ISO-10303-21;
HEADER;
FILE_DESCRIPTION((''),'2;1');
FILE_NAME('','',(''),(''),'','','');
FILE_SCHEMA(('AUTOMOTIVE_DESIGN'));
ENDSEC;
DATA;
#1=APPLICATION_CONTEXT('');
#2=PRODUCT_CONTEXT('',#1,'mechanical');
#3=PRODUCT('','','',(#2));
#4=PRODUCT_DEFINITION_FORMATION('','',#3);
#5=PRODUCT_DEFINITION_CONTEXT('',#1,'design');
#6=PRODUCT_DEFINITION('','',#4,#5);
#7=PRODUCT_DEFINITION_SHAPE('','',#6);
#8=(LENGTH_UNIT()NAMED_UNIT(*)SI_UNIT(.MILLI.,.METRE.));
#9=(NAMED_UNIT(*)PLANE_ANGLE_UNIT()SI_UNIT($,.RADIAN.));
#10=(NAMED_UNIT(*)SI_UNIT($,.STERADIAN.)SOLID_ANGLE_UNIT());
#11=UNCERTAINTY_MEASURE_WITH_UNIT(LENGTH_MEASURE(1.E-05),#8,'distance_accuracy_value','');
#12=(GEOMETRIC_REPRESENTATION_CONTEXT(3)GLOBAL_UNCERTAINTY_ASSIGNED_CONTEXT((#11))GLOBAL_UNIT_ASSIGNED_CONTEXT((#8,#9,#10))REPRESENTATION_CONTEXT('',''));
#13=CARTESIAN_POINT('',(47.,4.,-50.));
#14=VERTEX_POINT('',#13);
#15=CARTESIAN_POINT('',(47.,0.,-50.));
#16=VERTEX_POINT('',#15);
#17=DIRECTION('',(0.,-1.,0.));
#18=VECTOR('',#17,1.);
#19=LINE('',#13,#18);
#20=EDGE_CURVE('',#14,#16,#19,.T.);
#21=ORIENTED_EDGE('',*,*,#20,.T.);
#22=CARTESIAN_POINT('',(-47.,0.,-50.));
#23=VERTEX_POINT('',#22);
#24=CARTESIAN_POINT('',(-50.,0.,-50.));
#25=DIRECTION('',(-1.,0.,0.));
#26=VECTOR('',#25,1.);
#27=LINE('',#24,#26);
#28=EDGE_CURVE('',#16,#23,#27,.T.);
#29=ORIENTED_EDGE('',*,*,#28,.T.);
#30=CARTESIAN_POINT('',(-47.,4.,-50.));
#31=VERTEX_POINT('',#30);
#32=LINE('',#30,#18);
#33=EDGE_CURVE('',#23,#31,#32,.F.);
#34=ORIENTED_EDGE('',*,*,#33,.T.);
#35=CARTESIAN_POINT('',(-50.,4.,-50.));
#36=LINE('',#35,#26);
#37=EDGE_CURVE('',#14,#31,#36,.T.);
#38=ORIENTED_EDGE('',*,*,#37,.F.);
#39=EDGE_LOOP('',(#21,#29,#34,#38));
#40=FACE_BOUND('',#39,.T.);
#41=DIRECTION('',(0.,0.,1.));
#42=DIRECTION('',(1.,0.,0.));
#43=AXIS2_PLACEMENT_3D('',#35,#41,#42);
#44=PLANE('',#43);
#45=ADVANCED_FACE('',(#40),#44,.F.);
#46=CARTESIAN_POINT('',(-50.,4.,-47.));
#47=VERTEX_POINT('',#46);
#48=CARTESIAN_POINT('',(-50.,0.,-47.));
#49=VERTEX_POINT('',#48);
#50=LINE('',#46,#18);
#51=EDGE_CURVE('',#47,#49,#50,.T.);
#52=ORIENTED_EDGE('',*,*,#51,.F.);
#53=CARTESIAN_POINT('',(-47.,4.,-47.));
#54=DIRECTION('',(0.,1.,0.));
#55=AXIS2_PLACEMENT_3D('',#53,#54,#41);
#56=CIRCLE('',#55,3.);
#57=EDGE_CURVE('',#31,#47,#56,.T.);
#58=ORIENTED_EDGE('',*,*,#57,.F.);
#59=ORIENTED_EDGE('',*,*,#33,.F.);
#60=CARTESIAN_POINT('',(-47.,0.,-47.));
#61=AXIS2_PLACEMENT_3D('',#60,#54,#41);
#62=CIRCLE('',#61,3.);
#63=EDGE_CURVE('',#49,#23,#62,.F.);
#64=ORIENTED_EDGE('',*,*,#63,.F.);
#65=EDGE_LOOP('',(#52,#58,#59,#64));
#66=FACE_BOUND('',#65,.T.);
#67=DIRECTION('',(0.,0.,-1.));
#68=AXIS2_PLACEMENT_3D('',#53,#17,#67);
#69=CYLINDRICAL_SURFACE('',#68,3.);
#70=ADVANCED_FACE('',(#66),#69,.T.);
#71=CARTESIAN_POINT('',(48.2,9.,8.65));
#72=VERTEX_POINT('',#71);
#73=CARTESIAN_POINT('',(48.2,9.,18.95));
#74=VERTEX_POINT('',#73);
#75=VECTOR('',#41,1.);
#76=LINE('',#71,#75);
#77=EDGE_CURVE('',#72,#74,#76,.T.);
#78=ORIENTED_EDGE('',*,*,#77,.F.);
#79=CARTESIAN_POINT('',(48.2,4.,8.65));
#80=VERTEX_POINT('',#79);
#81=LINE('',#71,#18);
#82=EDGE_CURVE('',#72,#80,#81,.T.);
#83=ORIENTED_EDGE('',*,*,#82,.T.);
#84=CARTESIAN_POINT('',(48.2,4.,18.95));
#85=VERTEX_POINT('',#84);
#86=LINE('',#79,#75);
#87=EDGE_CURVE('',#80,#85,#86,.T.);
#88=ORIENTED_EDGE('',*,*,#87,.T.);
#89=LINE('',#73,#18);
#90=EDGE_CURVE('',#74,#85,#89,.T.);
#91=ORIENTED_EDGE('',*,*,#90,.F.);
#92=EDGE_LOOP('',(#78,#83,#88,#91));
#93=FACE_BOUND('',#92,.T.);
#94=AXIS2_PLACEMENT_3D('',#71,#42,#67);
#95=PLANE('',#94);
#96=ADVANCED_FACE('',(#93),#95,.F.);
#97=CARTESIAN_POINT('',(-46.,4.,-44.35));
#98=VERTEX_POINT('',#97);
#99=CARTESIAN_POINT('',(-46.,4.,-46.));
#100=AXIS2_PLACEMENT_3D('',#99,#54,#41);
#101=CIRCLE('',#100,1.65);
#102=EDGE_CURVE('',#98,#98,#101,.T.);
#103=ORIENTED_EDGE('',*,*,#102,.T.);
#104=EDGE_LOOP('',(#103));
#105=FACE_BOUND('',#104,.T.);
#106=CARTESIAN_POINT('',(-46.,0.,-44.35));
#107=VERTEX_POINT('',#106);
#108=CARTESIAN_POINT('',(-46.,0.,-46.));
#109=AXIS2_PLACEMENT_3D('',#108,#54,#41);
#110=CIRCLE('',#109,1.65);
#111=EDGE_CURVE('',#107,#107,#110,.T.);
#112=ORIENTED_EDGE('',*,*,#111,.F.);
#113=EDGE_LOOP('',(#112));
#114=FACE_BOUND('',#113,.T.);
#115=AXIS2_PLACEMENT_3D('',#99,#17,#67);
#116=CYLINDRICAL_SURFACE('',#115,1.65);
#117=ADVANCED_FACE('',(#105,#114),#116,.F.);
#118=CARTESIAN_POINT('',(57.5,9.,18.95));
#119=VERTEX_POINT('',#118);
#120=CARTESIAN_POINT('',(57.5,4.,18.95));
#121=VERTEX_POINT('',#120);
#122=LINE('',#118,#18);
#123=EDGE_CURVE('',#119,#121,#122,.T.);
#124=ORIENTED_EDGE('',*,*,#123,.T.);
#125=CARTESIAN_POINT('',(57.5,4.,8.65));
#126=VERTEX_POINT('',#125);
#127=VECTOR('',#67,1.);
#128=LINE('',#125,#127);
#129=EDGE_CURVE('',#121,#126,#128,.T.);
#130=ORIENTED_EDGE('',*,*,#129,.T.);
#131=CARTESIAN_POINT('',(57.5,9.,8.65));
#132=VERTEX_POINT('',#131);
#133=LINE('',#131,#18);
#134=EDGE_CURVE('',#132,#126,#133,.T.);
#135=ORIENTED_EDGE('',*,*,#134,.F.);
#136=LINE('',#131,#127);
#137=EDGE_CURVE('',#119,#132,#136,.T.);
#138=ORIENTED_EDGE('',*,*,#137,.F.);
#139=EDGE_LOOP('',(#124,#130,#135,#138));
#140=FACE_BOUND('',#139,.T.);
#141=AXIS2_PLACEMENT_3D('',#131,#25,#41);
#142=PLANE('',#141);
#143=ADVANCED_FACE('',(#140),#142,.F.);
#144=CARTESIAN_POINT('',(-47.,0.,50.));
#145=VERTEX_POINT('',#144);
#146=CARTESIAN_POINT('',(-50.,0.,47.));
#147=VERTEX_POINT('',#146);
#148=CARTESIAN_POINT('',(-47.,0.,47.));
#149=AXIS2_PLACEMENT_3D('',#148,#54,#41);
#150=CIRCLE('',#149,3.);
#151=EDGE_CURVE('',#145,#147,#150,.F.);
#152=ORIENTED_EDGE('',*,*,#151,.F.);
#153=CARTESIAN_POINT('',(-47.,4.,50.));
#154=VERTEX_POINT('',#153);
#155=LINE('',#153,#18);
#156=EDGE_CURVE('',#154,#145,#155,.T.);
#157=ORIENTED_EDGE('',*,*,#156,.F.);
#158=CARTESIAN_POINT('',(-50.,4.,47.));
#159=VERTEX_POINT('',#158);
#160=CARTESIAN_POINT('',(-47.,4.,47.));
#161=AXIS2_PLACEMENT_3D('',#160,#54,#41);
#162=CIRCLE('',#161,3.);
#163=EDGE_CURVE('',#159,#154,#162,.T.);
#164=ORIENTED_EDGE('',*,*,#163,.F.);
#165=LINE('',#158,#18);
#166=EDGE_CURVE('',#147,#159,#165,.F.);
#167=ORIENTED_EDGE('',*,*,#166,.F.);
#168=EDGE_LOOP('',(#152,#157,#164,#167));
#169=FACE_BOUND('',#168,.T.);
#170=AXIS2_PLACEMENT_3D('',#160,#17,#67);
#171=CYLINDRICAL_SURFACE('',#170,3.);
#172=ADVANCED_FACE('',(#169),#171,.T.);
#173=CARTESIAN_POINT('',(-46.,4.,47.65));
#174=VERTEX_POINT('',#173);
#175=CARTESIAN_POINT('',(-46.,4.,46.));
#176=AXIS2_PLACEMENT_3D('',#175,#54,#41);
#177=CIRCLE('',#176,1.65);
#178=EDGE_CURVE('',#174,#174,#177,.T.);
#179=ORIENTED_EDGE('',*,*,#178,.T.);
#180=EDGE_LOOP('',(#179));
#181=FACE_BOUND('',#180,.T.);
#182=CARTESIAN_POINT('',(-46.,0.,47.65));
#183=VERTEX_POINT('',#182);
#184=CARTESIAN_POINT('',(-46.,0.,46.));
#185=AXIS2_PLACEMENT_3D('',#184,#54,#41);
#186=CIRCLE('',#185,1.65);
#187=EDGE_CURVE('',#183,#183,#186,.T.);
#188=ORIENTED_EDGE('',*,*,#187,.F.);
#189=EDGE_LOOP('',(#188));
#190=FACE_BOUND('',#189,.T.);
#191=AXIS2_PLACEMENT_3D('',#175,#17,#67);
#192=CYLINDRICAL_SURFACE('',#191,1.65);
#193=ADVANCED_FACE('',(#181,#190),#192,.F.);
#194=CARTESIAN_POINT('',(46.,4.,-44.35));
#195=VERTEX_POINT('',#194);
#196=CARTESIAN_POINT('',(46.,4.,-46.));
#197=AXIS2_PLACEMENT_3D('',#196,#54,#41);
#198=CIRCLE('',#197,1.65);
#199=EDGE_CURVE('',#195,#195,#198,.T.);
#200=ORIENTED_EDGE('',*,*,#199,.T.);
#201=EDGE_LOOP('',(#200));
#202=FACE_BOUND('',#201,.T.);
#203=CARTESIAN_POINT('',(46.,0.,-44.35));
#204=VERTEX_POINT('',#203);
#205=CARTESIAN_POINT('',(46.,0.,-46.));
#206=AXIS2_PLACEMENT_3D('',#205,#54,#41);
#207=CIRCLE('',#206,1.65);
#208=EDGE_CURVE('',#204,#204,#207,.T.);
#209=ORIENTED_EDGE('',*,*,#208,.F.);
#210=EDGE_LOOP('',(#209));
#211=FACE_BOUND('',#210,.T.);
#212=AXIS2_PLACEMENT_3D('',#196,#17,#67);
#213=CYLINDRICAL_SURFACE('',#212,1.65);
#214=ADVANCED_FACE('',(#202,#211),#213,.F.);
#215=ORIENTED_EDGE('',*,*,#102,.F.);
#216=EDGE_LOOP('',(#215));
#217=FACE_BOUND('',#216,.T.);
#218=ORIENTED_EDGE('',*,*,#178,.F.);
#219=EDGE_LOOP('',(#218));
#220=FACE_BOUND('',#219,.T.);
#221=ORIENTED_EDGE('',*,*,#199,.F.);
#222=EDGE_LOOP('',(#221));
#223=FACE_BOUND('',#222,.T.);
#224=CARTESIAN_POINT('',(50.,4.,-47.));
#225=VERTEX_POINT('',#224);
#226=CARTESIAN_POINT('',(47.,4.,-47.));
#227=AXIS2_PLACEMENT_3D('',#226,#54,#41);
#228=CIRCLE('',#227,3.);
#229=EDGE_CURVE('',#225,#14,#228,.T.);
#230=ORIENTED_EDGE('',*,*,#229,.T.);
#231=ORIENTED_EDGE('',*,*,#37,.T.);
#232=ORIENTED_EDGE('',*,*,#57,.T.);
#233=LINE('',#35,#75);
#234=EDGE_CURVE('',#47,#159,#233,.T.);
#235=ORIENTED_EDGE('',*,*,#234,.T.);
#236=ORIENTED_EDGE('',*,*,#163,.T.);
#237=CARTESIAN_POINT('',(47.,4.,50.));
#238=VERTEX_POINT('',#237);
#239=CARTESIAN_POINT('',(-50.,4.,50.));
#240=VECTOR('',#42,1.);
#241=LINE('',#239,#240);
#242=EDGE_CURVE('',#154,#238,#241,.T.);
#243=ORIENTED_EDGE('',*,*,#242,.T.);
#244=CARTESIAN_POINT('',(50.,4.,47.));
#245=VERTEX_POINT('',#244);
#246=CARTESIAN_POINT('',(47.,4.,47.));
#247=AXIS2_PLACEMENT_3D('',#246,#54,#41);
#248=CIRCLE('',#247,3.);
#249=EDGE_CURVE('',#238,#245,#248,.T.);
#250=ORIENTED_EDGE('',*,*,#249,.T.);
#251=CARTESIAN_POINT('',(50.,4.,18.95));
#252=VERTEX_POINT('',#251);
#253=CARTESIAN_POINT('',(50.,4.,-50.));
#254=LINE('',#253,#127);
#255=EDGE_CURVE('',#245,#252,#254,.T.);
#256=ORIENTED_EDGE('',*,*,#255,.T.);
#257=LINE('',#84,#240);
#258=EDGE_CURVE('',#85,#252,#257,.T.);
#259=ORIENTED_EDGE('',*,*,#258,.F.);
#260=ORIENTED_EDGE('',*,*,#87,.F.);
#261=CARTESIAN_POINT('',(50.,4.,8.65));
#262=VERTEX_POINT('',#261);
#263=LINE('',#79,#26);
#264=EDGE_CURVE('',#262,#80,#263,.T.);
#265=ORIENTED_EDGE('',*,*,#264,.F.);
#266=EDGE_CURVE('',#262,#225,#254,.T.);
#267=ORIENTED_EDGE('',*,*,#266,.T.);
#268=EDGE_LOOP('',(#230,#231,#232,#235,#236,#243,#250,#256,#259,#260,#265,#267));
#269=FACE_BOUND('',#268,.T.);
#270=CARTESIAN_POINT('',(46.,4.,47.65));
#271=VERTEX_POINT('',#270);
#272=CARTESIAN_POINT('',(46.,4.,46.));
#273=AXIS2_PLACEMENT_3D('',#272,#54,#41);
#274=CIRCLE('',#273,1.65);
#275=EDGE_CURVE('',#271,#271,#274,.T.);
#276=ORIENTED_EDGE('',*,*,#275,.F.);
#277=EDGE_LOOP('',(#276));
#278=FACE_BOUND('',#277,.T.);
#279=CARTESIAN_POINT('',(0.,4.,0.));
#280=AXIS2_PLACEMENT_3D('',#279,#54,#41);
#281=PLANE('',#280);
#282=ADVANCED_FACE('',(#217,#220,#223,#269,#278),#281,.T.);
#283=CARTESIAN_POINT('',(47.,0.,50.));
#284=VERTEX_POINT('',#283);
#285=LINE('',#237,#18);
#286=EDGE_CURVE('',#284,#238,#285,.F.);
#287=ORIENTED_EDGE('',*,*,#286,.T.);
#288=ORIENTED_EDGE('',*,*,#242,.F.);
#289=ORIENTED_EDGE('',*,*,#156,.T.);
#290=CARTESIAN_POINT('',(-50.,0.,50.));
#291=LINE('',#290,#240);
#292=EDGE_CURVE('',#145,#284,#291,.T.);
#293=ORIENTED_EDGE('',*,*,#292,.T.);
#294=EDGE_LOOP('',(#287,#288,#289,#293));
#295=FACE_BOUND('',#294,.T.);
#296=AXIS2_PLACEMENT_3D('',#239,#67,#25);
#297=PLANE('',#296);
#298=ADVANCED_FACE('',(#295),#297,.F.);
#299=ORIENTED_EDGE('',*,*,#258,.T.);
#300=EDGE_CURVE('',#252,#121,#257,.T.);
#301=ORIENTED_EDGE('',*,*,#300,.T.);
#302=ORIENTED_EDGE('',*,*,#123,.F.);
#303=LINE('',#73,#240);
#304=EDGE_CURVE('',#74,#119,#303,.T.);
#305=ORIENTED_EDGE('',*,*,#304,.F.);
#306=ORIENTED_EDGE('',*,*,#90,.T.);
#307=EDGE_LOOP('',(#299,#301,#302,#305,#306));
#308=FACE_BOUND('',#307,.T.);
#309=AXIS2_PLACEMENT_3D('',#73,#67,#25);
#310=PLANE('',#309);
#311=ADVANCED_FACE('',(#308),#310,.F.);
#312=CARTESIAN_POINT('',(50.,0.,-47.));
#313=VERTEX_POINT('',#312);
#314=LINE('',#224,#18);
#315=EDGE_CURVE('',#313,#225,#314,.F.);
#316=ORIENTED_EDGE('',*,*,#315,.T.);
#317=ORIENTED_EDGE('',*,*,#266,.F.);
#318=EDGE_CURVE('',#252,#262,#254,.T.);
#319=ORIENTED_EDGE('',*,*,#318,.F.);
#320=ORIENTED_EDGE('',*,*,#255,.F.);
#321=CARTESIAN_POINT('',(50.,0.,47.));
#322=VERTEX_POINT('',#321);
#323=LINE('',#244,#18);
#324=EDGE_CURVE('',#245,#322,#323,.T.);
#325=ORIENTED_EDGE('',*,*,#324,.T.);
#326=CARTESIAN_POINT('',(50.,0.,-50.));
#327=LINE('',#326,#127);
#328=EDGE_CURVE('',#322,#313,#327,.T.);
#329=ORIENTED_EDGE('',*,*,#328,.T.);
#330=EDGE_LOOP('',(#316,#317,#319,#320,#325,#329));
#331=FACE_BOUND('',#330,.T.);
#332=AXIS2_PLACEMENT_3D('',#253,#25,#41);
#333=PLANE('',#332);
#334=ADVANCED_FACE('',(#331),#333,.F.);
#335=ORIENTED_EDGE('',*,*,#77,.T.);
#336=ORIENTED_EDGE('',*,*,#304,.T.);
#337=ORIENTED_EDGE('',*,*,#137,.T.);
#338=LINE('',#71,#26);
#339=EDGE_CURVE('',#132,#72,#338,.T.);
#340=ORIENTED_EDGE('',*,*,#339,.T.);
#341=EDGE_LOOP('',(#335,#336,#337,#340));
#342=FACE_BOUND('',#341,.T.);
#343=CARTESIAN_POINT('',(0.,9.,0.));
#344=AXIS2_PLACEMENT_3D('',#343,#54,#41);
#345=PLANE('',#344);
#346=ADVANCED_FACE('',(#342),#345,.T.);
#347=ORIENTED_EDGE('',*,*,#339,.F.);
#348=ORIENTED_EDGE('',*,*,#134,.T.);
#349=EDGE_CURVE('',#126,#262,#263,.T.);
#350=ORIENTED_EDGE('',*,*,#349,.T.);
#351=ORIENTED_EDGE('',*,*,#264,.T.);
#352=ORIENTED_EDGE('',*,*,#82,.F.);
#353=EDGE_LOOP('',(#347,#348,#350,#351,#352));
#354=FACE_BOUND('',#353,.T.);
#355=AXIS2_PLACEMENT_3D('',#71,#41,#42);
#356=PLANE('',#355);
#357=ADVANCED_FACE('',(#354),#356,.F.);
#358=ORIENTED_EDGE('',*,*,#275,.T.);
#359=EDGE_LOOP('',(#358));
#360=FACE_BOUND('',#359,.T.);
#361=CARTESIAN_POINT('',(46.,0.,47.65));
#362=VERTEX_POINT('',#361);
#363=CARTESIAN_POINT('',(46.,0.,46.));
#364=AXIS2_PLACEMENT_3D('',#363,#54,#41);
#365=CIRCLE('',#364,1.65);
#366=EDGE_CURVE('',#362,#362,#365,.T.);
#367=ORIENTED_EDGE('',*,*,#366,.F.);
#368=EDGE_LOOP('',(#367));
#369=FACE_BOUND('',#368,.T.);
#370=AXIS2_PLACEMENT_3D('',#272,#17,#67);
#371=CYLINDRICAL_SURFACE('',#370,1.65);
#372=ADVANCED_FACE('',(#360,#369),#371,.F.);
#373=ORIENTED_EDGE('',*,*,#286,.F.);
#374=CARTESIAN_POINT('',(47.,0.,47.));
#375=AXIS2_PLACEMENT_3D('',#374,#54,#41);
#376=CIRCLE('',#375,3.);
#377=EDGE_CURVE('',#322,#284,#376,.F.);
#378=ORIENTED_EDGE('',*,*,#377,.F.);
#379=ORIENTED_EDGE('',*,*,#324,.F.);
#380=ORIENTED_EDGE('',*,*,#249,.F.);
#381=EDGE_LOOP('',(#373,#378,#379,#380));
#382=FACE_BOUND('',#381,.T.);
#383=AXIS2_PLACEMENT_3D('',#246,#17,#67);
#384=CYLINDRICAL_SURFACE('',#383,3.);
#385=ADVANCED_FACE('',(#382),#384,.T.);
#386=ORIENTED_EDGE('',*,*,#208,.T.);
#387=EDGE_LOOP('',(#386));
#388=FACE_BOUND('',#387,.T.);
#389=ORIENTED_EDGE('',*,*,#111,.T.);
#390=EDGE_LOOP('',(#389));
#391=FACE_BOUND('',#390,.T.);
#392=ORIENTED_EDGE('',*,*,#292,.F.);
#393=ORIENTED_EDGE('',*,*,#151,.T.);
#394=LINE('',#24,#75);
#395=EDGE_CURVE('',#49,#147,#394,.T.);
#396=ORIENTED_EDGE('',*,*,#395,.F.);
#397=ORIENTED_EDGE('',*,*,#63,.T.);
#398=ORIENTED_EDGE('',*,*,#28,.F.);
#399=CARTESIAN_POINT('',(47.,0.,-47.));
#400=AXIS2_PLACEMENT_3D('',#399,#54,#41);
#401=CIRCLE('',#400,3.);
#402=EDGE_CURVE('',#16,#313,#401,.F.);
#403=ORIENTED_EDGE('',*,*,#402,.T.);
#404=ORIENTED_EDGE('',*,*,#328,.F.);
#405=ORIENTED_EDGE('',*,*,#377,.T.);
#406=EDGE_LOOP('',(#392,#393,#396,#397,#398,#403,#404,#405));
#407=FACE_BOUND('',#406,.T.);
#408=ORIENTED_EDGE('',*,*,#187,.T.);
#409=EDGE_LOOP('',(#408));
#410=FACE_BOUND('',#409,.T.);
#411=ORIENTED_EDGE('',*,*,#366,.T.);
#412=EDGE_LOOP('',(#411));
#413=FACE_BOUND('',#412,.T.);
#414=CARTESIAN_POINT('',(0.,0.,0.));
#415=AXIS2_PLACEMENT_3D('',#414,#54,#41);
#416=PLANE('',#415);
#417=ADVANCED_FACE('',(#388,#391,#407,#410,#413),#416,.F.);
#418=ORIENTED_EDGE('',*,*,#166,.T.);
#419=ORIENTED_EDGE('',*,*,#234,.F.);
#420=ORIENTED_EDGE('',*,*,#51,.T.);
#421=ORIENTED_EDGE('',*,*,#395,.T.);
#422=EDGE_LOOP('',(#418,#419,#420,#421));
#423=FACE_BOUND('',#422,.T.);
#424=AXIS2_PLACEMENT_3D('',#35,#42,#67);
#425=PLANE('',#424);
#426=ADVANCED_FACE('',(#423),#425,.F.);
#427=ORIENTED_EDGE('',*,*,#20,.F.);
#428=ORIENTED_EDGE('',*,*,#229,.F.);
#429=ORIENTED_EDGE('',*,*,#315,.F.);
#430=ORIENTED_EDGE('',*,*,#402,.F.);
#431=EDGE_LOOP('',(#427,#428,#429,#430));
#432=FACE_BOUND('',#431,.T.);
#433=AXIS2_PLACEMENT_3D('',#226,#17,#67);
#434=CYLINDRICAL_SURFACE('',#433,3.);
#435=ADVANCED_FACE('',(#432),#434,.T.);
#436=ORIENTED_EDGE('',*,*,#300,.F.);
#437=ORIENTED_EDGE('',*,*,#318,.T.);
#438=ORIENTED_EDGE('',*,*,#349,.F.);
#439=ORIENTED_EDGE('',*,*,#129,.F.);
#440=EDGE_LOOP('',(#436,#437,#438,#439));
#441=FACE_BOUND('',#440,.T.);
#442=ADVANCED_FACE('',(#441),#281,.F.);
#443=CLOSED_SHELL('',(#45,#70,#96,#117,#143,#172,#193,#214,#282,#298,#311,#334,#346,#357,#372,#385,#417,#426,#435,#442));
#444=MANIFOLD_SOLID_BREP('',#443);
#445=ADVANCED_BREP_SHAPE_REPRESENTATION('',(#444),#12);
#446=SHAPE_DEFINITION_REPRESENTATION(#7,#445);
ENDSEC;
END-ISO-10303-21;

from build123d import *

# Parameters (mm, degrees)
SKETCH_1_W      = 100
SKETCH_1_H      = 100
SKETCH_1_R      = 1.65
EXTRUDE_1_DEPTH = 4
FILLET_1_R      = 3
SKETCH_2_W      = 9.3
SKETCH_2_H      = 10.3
EXTRUDE_2_DEPTH = 5


with BuildPart() as part:
    # 草图1 → 凸台-拉伸1 (new body)
    with BuildSketch(Plane(origin=(0, 0, 0), x_dir=(1, 0, 0), z_dir=(0, 1, 0))):
        Rectangle(SKETCH_1_W, SKETCH_1_H)
        with Locations(Location((-46, 46, 0), (0, 0, 270))):
            Circle(SKETCH_1_R, mode=Mode.SUBTRACT)
        with Locations(Location((46, 46, 0), (0, 0, 270))):
            Circle(SKETCH_1_R, mode=Mode.SUBTRACT)
        with Locations(Location((46, -46, 0), (0, 0, 270))):
            Circle(SKETCH_1_R, mode=Mode.SUBTRACT)
        with Locations(Location((-46, -46, 0), (0, 0, 270))):
            Circle(SKETCH_1_R, mode=Mode.SUBTRACT)
    extrude(amount=EXTRUDE_1_DEPTH)

    # 圆角1
    fillet_1_edges = [part.edges().sort_by_distance(p)[0] for p in [
        (50, 2, 50),
        (-50, 2, 50),
        (-50, 2, -50),
        (50, 2, -50),
    ]]
    fillet(fillet_1_edges, radius=FILLET_1_R)

    # 草图2 → 凸台-拉伸2 (add)
    with BuildSketch(Plane(origin=(0, 4, 0), x_dir=(1, 0, 0), z_dir=(0, 1, 0))):
        with Locations((52.85, -13.8)):
            Rectangle(SKETCH_2_W, SKETCH_2_H)
    extrude(amount=EXTRUDE_2_DEPTH)


solid = part.part
